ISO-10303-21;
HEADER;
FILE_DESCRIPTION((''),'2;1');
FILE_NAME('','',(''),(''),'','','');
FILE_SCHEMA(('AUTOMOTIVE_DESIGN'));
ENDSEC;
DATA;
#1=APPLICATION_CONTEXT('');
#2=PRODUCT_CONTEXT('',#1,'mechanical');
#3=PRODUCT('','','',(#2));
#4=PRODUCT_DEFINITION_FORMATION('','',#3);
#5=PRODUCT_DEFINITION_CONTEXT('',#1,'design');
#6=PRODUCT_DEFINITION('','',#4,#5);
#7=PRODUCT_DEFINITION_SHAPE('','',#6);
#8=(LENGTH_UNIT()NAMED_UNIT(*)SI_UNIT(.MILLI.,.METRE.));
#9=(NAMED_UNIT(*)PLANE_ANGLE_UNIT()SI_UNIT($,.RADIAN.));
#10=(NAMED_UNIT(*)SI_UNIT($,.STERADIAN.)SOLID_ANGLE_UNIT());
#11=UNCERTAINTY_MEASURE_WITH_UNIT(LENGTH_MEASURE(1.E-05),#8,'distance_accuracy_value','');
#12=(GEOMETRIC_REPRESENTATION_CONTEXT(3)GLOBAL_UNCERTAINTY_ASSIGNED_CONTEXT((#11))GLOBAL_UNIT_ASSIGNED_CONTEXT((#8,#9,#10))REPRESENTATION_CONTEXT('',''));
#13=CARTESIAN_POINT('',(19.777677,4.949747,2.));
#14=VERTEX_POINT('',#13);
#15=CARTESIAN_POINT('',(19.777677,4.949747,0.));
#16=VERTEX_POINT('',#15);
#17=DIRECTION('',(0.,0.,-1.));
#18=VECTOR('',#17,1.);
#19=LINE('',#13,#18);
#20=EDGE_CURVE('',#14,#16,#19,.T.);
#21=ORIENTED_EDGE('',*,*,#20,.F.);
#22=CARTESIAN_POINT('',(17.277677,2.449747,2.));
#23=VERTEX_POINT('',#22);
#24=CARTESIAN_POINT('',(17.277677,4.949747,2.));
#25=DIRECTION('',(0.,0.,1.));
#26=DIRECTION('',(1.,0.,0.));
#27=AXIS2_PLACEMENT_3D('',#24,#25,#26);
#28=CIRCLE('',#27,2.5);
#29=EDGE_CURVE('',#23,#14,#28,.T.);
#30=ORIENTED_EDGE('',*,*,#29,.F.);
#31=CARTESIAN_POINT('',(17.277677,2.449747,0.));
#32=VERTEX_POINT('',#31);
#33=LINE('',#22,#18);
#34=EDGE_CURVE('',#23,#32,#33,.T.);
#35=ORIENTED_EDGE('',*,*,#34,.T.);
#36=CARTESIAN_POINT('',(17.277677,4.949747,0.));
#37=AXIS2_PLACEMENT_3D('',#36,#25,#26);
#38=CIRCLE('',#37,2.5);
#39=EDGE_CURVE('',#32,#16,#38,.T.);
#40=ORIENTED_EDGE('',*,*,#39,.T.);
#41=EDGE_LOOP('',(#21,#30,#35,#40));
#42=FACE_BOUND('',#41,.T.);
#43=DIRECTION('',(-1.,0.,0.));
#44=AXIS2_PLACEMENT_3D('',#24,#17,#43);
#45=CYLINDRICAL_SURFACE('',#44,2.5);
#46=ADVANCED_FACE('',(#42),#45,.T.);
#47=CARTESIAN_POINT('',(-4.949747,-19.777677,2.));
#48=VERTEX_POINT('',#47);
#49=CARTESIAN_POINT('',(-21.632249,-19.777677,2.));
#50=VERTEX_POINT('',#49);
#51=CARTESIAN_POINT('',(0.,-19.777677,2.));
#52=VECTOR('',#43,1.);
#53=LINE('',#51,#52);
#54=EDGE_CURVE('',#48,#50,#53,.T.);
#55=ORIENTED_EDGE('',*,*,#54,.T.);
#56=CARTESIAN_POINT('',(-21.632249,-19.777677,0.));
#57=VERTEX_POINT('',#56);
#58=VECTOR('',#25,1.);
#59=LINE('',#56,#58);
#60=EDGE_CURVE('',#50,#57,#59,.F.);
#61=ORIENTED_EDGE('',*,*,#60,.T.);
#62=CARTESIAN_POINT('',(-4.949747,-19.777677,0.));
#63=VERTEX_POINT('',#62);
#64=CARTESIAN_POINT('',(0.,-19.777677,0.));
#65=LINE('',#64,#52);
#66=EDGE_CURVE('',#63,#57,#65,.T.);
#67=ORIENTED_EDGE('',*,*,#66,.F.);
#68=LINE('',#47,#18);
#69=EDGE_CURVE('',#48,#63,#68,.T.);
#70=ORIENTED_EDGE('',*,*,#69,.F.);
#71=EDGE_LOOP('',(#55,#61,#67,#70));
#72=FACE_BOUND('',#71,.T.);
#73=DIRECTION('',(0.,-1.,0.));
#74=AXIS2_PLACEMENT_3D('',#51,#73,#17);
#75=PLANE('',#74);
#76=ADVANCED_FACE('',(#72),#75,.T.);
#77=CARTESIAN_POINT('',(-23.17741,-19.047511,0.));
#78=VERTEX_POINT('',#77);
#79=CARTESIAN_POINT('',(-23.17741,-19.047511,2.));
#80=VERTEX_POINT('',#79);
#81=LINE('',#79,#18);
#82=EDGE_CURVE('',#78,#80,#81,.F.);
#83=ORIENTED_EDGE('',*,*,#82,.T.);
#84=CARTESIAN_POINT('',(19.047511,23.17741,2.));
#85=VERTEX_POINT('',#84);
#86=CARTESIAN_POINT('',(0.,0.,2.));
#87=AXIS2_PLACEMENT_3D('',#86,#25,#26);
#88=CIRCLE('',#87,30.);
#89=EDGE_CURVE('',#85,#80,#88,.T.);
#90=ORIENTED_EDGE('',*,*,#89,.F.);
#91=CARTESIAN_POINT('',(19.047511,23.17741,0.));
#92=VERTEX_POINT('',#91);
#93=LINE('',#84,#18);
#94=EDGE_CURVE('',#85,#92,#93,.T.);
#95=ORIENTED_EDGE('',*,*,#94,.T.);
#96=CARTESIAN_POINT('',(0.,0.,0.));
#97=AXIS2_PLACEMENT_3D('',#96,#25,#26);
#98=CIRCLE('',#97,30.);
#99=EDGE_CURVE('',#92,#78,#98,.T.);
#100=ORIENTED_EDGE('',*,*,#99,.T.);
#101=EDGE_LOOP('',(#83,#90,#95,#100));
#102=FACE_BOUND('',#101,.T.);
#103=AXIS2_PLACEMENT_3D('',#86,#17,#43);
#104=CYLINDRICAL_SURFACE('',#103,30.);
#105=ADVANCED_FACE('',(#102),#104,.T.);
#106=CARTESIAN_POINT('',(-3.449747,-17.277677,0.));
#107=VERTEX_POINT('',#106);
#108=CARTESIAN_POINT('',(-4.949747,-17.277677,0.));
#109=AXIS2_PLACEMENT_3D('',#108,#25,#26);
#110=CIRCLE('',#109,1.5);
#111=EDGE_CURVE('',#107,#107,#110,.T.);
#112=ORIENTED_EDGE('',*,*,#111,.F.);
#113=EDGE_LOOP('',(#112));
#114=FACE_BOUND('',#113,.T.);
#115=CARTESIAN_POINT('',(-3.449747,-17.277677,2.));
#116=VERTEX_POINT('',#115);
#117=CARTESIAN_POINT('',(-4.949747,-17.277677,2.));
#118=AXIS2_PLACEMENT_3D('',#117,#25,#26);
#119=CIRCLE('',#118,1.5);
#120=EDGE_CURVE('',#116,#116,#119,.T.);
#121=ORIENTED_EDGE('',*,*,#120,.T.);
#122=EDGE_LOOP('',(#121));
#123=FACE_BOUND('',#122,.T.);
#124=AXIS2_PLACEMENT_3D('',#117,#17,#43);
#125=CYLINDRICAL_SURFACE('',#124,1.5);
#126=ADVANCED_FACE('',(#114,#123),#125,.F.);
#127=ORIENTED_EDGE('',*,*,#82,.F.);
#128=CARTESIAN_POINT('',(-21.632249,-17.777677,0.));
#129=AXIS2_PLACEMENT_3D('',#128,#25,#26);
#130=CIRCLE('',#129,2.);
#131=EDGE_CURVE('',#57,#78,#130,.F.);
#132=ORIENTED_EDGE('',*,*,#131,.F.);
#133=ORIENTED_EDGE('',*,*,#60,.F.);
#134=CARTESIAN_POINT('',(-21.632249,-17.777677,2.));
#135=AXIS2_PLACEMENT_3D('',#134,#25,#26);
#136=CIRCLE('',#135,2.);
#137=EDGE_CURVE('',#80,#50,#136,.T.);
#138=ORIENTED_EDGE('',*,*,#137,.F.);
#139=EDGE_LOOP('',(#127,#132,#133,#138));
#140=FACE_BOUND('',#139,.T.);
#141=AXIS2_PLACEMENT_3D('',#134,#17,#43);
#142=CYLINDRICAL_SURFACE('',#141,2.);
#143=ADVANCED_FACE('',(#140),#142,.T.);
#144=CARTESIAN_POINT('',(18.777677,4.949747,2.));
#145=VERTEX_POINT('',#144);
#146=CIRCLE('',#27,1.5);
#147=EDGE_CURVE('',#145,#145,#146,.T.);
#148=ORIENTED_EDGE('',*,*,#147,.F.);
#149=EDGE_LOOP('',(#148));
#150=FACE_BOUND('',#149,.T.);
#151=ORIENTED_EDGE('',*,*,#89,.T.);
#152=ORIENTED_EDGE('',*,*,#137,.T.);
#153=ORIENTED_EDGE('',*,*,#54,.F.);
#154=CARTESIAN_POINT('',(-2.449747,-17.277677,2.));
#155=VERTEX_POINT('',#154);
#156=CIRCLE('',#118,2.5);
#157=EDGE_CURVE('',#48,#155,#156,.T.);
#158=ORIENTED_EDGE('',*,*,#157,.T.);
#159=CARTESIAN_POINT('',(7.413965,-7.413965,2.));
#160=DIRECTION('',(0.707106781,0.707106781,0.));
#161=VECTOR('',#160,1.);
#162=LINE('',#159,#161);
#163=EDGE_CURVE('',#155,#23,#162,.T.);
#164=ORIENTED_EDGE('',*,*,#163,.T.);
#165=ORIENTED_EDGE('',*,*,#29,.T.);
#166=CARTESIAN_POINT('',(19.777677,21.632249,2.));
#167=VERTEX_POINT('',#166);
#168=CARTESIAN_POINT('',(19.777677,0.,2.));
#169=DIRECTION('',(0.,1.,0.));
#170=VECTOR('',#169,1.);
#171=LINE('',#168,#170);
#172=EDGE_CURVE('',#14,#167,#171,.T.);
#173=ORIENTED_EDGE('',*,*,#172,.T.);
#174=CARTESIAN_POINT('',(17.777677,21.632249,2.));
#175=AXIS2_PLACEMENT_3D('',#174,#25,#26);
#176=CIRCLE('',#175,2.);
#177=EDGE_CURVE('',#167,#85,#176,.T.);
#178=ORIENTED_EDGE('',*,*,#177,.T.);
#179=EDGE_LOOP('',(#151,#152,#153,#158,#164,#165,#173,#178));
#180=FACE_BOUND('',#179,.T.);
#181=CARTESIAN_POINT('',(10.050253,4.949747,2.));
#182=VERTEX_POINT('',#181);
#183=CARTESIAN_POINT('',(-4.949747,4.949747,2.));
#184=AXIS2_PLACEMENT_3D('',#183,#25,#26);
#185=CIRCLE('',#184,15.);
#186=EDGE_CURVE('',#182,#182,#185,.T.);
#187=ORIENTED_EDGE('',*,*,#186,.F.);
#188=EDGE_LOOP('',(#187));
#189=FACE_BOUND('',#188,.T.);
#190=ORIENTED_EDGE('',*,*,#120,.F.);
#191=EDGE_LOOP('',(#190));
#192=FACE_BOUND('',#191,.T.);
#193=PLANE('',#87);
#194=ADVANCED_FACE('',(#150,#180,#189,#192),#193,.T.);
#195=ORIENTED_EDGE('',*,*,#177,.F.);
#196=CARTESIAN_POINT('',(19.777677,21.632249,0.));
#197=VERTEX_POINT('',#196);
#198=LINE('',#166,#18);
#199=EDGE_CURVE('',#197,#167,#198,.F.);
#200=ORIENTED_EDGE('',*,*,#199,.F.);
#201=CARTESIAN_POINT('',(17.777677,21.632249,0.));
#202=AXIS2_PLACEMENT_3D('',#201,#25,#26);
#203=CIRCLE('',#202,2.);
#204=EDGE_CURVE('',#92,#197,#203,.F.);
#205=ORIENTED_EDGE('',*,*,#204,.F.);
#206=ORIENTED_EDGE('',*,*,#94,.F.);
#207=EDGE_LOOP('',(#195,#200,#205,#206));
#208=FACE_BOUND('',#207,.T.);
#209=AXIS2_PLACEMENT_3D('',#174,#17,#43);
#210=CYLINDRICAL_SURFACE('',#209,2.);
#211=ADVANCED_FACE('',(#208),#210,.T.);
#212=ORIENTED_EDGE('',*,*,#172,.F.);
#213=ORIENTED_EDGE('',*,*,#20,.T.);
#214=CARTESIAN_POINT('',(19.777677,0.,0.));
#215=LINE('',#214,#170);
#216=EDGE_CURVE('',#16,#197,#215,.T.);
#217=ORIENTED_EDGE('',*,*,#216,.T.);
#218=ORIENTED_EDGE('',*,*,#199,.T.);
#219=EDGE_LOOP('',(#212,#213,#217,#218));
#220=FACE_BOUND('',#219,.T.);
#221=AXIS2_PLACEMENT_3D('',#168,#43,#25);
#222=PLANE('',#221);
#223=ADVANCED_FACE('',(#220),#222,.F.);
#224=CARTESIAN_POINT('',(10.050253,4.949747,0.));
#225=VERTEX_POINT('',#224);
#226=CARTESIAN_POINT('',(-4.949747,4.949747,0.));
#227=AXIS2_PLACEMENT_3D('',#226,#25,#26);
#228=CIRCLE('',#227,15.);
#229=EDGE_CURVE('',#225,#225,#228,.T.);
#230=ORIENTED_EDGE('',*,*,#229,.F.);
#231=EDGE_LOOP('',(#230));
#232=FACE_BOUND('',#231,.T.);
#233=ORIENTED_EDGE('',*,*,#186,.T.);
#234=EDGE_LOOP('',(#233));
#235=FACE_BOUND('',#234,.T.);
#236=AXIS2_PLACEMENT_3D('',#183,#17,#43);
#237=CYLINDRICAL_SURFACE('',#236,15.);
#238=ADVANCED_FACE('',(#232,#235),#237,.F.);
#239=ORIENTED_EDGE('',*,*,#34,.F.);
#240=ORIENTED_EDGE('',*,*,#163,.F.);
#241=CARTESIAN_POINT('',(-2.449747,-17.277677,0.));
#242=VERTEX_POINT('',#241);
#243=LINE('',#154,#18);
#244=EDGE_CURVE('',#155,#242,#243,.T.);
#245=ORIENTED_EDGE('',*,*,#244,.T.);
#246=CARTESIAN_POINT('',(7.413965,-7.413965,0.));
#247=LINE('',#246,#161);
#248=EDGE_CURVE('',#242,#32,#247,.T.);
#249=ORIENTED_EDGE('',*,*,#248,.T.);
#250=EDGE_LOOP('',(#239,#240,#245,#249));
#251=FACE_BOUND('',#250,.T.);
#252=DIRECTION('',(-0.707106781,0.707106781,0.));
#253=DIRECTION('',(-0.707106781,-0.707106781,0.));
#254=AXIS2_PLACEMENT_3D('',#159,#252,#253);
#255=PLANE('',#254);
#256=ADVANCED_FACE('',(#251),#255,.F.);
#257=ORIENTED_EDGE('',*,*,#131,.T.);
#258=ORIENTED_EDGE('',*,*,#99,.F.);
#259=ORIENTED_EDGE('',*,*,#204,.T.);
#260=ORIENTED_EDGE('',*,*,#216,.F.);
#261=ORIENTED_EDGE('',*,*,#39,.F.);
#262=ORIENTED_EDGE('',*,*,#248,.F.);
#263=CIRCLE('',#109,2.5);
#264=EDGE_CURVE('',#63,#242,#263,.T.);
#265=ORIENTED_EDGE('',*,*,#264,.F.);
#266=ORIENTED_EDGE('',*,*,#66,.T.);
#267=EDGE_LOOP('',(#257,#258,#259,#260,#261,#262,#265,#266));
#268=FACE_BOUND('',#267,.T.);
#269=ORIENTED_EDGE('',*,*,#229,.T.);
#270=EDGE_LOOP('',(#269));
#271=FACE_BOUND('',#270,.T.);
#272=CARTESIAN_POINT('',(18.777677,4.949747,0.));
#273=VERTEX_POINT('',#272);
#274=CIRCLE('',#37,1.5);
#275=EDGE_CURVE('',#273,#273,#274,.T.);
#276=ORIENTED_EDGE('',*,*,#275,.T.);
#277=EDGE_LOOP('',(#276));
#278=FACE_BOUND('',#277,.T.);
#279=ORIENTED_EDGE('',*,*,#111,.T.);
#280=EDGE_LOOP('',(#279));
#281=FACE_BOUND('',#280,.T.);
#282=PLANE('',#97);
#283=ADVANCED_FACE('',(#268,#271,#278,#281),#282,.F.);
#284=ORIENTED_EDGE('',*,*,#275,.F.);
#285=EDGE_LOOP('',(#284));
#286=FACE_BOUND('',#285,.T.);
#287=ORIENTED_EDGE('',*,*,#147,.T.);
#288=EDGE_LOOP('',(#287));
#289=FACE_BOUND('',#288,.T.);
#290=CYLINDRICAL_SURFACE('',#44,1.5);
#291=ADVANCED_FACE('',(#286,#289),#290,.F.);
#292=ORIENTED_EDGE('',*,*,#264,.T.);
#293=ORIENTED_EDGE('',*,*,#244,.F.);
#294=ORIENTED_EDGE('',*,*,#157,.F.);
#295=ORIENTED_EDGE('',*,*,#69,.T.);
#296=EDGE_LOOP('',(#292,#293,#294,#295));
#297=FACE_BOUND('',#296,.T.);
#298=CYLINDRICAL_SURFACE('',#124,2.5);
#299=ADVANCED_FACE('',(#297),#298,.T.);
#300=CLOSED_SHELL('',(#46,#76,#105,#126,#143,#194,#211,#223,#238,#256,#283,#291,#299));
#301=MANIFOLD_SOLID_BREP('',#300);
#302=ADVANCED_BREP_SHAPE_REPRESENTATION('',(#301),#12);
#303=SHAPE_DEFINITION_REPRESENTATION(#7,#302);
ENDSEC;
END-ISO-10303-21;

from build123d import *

# Parameters (mm, degrees)
SKETCH1_R           = 15
SKETCH1_R_2         = 1.5
BOSS_EXTRUDE1_DEPTH = 2
FILLET1_R           = 2


with BuildPart() as part:
    # Sketch1 → Boss-Extrude1 (new body)
    with BuildSketch(Plane.XY):
        with BuildLine():
            Line((-22.557559524, -19.777677021), (-4.949747468, -19.777677021))
            ThreePointArc((-4.949747468, -19.777677021), (-3.181980515, -19.045443974), (-2.449747468, -17.277677021))
            Line((-2.449747468, -17.277677021), (17.277677021, 2.449747468))
            ThreePointArc((17.277677021, 2.449747468), (19.045443974, 3.181980515), (19.777677021, 4.949747468))
            Line((19.777677021, 4.949747468), (19.777677021, 22.557559524))
            ThreePointArc((19.777677021, 22.557559524), (-21.213203436, 21.213203436), (-22.557559524, -19.777677021))
        make_face()
        with Locations((-4.949747468, 4.949747468)):
            Circle(SKETCH1_R, mode=Mode.SUBTRACT)
        with Locations((-4.949747468, -17.277677021)):
            Circle(SKETCH1_R_2, mode=Mode.SUBTRACT)
        with Locations((17.277677021, 4.949747468)):
            Circle(SKETCH1_R_2, mode=Mode.SUBTRACT)
    extrude(amount=BOSS_EXTRUDE1_DEPTH)

    # Fillet1
    fillet1_edges = [part.edges().sort_by_distance(p)[0] for p in [
        (-22.557559524, -19.777677021, 1),
        (19.777677021, 22.557559524, 1),
    ]]
    fillet(fillet1_edges, radius=FILLET1_R)


solid = part.part
